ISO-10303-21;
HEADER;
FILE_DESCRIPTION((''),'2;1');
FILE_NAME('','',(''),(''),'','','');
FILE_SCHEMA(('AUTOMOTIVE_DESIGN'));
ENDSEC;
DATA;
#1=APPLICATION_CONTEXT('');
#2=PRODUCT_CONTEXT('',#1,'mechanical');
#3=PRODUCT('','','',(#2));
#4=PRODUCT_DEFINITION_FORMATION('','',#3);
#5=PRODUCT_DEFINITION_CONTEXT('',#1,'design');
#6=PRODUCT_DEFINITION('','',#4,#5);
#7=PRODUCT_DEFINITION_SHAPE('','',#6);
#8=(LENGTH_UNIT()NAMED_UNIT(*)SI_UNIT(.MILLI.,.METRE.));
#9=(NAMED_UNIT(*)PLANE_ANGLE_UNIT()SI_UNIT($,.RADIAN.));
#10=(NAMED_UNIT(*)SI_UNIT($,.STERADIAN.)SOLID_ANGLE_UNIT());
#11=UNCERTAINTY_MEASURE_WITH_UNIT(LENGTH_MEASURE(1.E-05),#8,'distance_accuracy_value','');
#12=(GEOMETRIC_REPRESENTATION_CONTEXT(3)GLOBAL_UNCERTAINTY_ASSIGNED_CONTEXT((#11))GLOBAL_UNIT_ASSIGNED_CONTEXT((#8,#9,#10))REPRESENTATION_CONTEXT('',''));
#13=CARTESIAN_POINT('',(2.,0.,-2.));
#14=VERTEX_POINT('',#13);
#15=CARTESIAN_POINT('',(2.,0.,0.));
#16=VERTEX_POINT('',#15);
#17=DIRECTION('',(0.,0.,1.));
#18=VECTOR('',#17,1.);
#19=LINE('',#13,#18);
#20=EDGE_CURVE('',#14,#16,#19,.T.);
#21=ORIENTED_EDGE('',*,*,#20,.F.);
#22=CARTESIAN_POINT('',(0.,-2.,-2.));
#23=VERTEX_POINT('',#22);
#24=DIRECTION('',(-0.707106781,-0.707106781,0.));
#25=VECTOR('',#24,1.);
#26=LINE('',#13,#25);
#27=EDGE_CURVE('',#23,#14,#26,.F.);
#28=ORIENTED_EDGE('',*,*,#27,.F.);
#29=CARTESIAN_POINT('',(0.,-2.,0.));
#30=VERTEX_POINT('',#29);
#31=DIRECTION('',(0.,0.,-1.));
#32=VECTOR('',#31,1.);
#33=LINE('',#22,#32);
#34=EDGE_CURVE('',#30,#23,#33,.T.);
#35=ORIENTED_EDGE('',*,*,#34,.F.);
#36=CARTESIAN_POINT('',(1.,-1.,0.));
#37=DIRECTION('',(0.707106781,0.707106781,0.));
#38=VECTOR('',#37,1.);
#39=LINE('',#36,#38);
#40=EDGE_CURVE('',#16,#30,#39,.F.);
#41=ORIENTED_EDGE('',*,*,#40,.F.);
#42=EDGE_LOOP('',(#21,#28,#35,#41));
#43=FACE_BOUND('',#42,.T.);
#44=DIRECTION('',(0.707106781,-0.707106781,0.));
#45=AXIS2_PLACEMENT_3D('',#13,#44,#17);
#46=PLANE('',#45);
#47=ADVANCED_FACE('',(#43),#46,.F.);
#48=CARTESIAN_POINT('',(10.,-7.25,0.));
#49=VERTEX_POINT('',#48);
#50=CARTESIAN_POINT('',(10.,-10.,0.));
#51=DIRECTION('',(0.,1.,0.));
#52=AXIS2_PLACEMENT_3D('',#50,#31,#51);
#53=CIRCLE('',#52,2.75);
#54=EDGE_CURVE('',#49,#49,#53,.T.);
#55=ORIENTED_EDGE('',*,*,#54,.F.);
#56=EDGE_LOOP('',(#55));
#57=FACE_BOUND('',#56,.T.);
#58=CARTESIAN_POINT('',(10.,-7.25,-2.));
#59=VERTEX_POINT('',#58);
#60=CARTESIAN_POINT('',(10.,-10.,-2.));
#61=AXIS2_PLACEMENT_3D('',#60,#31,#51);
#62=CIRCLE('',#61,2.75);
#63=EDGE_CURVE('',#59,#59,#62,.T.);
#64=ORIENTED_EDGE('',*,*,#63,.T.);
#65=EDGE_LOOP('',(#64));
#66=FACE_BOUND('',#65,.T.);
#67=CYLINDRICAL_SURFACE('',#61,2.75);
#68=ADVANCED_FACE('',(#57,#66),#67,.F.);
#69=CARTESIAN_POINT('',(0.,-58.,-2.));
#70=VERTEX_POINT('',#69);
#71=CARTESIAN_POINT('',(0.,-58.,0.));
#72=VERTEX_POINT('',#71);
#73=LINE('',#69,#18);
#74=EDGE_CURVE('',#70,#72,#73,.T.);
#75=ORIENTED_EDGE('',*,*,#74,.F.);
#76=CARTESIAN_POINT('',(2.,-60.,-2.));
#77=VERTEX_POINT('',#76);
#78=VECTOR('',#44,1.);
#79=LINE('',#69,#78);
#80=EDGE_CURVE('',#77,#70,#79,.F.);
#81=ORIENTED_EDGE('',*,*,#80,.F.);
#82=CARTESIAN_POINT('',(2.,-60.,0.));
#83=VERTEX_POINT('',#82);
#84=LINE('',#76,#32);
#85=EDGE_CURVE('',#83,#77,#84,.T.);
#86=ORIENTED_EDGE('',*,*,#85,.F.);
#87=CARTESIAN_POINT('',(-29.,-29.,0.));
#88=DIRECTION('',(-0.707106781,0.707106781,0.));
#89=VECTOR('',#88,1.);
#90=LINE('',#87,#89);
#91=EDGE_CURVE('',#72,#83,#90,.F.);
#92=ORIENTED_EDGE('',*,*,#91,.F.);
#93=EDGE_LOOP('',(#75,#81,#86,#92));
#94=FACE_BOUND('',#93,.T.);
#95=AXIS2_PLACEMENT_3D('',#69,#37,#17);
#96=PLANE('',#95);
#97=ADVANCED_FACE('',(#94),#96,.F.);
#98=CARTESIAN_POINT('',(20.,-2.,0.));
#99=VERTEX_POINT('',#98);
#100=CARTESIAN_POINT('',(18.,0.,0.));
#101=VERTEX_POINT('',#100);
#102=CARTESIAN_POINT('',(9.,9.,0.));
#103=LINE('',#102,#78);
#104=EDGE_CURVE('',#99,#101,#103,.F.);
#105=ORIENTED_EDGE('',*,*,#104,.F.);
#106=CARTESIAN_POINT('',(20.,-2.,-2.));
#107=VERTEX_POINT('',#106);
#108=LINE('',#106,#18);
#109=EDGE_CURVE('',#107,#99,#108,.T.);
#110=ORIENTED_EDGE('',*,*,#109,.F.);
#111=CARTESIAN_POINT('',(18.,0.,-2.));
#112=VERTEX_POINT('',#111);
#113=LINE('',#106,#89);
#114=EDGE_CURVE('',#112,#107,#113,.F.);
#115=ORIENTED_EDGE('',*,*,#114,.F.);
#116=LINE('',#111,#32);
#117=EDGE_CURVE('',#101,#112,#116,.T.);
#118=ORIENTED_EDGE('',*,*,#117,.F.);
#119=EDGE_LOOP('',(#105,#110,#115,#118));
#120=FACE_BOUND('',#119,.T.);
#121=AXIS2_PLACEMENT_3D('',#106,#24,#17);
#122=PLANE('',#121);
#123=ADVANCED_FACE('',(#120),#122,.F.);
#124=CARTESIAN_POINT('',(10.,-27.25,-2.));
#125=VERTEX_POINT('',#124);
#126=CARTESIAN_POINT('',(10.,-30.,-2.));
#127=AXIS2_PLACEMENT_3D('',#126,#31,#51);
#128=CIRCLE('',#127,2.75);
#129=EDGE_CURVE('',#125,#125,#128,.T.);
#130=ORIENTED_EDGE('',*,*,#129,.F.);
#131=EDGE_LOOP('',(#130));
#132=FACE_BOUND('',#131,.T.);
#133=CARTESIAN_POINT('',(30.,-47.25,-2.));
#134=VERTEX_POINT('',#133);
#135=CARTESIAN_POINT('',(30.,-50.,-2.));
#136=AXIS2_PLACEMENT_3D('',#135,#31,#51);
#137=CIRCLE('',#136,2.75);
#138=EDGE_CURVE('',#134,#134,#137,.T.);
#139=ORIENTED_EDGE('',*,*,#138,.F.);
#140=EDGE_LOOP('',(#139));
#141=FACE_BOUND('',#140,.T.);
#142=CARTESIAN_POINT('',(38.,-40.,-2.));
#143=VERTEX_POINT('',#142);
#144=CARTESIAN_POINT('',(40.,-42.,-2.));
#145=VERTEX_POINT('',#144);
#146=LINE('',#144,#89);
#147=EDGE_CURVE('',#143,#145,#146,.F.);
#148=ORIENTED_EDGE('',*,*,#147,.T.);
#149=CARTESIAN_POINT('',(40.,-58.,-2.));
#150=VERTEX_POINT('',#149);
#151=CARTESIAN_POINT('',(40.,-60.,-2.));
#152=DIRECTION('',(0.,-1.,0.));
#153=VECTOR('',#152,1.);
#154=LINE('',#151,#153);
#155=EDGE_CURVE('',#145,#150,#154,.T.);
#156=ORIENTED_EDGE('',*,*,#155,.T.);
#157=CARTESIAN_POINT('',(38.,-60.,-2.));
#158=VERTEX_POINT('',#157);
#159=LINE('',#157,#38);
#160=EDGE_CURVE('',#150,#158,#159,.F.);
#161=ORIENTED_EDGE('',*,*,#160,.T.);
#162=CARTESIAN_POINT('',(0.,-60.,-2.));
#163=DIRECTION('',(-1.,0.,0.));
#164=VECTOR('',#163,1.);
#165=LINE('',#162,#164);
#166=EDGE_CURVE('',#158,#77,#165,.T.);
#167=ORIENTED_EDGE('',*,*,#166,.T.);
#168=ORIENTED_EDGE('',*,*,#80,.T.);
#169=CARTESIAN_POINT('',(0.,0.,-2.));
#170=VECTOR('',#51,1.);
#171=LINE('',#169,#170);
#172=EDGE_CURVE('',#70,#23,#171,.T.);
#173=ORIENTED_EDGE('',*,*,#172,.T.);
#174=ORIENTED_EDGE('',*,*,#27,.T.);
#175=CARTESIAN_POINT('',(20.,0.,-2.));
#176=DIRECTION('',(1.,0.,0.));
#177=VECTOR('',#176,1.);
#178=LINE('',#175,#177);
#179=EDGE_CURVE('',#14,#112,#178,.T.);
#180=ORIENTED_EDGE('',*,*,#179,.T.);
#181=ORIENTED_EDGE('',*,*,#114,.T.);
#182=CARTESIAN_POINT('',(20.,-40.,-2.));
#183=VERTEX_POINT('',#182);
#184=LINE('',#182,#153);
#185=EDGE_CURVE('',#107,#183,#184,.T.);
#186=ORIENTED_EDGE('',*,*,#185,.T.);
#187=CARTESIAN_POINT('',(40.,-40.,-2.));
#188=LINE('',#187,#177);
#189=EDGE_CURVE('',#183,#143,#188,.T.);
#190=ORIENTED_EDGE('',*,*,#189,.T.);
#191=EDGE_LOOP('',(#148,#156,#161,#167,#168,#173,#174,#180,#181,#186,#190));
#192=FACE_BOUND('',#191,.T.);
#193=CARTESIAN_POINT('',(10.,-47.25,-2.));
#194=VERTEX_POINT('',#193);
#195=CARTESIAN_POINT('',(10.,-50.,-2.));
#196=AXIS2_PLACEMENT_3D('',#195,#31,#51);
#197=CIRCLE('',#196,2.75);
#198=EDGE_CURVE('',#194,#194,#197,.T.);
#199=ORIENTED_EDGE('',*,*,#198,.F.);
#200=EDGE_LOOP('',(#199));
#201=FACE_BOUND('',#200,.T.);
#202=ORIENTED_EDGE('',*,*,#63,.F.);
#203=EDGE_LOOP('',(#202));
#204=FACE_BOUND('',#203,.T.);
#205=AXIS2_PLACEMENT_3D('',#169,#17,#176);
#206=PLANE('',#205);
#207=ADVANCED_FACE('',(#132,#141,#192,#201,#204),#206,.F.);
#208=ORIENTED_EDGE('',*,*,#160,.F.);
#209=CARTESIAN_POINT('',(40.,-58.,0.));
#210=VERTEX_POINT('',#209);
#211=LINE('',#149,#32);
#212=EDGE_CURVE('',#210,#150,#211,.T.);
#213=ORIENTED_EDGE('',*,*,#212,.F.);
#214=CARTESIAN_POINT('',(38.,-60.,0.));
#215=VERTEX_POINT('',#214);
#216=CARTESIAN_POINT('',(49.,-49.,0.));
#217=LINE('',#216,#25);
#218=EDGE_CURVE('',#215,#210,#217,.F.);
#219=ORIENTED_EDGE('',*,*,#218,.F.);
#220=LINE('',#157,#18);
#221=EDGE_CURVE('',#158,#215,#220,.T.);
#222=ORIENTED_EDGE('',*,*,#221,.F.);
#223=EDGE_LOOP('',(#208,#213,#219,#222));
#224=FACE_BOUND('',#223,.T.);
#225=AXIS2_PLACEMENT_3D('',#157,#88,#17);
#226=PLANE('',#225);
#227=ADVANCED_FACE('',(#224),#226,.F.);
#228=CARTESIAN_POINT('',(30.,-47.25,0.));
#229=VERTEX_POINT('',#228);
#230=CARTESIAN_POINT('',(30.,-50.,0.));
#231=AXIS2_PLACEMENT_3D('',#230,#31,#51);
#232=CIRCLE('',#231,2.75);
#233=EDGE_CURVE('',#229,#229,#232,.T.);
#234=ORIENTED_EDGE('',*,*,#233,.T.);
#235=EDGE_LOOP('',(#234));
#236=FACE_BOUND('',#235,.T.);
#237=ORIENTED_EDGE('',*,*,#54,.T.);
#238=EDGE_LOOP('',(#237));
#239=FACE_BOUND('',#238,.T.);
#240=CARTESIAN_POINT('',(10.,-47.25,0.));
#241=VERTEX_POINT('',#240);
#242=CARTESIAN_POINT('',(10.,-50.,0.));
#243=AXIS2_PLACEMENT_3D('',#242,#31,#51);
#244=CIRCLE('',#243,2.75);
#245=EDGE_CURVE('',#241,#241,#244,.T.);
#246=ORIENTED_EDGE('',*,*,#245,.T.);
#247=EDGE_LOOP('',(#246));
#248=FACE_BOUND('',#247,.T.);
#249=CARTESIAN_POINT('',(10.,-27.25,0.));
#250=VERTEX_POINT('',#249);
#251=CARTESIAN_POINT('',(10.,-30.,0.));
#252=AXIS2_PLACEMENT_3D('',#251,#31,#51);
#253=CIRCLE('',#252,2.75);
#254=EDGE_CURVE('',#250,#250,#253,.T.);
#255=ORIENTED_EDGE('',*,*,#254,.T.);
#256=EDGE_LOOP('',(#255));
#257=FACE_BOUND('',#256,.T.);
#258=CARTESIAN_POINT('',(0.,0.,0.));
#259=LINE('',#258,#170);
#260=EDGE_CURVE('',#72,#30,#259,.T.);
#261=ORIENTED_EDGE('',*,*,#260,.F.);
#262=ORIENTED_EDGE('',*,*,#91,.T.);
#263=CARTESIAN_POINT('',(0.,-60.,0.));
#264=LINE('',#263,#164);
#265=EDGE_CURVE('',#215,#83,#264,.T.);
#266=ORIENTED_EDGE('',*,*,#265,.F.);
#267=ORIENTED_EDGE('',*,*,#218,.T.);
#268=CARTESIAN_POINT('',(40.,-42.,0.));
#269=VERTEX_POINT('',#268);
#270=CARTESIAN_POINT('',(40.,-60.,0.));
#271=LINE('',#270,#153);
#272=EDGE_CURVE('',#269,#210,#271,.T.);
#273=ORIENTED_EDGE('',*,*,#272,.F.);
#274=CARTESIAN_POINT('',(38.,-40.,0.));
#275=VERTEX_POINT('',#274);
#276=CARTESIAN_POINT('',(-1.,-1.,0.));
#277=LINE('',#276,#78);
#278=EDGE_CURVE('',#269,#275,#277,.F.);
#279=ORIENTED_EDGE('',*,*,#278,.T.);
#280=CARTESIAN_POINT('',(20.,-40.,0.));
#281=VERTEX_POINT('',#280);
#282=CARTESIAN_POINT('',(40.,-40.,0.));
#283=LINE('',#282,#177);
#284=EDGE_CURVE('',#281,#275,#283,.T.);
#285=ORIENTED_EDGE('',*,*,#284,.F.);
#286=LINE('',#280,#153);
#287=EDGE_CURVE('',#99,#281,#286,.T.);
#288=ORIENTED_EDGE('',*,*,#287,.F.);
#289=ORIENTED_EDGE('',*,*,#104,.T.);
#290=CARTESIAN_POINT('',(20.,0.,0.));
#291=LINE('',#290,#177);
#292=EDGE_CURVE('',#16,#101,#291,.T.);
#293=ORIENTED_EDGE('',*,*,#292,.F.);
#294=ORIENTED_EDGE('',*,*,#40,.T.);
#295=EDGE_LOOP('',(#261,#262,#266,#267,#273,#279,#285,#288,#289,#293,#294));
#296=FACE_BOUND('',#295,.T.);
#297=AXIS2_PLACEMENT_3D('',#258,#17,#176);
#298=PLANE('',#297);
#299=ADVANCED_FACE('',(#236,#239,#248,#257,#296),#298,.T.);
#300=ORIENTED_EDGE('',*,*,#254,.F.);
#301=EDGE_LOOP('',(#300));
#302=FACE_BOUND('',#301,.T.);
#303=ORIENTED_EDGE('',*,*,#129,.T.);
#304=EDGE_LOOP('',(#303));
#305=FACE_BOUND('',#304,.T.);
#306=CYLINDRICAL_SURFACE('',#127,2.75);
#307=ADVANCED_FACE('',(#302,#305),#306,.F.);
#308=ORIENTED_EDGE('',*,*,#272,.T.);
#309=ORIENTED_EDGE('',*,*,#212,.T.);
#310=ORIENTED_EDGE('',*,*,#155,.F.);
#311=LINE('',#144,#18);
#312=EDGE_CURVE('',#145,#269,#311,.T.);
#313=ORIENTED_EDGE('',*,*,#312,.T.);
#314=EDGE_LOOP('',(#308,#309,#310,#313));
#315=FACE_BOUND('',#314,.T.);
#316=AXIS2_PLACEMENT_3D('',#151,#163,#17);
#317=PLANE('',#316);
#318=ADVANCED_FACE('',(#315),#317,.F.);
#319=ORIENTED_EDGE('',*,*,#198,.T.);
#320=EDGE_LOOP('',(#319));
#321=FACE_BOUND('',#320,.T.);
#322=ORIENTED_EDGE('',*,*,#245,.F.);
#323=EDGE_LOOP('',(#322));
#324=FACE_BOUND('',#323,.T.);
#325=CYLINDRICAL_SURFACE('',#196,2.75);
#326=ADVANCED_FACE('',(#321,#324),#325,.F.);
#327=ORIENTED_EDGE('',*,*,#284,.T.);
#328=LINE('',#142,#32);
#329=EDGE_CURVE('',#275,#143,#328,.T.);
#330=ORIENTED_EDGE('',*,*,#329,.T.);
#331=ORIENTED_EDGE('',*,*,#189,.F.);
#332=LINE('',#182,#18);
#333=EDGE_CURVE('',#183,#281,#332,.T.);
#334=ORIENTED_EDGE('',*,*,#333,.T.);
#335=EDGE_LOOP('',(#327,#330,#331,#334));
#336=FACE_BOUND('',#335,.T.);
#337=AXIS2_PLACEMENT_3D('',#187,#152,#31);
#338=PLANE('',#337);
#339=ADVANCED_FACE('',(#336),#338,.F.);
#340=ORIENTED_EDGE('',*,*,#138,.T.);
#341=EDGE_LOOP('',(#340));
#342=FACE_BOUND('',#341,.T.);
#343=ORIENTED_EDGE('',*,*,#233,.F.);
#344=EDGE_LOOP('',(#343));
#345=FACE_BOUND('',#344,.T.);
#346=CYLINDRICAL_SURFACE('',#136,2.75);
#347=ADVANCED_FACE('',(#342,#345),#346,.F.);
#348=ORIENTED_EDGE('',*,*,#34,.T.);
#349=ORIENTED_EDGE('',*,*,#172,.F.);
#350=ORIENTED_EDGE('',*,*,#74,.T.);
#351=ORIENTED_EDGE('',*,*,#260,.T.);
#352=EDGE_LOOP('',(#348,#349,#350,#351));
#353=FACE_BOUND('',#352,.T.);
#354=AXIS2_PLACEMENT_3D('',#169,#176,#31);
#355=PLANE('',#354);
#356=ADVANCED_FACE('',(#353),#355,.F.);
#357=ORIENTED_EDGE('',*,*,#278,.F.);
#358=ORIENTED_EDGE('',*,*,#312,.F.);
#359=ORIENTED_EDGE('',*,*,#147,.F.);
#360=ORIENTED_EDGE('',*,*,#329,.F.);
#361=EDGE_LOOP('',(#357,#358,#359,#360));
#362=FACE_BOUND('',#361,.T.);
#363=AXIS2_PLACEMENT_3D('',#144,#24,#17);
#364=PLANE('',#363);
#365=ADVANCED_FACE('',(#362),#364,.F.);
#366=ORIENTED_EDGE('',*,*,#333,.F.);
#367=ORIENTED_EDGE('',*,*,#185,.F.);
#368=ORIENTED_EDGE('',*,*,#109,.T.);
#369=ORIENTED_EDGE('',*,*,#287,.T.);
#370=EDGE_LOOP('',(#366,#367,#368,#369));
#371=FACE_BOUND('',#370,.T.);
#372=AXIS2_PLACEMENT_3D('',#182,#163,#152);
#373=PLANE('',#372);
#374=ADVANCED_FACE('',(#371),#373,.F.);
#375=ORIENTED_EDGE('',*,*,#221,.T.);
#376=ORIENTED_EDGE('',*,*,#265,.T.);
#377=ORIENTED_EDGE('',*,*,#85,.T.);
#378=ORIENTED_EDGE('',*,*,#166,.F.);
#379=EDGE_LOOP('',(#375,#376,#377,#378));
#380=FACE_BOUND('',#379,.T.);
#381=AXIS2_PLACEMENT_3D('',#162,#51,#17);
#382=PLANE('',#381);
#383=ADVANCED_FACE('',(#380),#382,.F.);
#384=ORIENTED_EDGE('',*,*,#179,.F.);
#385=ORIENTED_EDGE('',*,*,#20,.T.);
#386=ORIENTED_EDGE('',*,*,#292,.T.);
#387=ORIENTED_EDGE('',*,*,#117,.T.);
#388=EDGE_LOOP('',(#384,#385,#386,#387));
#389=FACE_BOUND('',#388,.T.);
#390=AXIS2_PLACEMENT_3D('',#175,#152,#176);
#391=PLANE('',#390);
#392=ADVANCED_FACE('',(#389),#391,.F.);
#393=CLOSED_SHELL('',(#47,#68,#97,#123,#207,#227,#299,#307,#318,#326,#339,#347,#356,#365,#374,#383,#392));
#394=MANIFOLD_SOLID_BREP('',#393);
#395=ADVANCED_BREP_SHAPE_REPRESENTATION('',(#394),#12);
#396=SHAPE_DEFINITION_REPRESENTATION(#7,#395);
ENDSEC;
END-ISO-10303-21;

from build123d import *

# Parameters (mm, degrees)
EXTRUDE_1_DEPTH   = 2
HOLE_WIZARD_M51_D = 5.5
CHAMFER_1_SIZE    = 2


with BuildPart() as part:
    # Эскиз1 → Бобышка-Вытянуть1 (new body)
    with BuildSketch(Plane(origin=(0, 0, 0), x_dir=(1, 0, 0), z_dir=(0, 0, -1))):
        Polygon((0, 0), (0, 60), (40, 60), (40, 40), (20, 40), (20, 0), align=None)
    extrude(amount=EXTRUDE_1_DEPTH)

    # Отверстие с зазором M51 (through all)
    with Locations(Plane(origin=(0, 0, -2), x_dir=(1, 0, 0), z_dir=(0, 0, -1))):
        with Locations((30, 50), (10, 50), (10, 30), (10, 10)):
            Hole(HOLE_WIZARD_M51_D / 2)

    # Фаска1
    chamfer_1_edges = [part.edges().sort_by_distance(p)[0] for p in [
        (0, 0, -1),
        (0, -60, -1),
        (40, -60, -1),
        (40, -40, -1),
        (20, 0, -1),
    ]]
    chamfer(chamfer_1_edges, length=CHAMFER_1_SIZE)


solid = part.part
